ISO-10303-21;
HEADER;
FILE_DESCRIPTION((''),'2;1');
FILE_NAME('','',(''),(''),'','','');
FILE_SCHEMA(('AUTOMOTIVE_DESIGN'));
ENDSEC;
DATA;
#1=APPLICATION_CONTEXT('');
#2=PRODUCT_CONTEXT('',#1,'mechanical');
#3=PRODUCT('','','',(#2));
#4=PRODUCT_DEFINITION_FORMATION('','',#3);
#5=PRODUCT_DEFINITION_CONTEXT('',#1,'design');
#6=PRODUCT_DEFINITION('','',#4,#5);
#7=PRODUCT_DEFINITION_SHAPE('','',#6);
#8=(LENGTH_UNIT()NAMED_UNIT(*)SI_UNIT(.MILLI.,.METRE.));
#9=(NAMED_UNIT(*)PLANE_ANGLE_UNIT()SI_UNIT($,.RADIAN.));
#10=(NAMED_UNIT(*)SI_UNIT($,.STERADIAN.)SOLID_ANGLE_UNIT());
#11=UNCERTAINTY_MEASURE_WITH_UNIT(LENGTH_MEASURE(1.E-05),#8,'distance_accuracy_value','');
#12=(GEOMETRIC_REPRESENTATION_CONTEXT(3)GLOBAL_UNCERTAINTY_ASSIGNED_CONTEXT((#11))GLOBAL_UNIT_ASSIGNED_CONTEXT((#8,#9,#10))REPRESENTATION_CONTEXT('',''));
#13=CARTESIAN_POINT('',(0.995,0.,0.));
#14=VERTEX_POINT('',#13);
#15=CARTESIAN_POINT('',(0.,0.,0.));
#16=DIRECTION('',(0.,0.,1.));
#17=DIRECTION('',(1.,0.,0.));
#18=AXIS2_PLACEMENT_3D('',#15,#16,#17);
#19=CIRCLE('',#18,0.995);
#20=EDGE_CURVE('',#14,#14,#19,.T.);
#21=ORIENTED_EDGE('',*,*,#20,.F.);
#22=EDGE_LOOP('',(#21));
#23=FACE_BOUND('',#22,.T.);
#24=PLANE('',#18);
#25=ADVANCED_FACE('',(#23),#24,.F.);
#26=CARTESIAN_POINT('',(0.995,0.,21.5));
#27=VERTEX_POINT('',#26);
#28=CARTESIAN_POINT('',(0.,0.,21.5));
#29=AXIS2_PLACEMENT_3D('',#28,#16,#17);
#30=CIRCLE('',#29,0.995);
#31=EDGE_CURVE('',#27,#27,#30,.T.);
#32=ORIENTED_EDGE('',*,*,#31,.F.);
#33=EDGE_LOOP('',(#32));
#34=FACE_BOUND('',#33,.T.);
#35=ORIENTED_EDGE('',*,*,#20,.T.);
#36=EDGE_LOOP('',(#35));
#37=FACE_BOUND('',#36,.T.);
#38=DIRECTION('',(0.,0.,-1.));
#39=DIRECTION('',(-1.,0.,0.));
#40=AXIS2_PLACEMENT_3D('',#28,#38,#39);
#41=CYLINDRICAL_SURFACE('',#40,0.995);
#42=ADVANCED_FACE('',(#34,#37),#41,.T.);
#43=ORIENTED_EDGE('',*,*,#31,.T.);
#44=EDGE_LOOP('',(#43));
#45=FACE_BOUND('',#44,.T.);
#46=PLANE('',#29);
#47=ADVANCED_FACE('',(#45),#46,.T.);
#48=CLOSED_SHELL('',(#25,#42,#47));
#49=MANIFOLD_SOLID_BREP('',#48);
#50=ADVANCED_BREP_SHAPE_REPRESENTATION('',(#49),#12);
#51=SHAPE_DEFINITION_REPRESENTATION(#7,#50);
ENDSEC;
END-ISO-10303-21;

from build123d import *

# Parameters (mm, degrees)
SKETCH_1_R      = 0.995
EXTRUDE_1_DEPTH = 21.5


with BuildPart() as part:
    # 스케치1 → 보스-돌출1 (new body)
    with BuildSketch(Plane.XY):
        Circle(SKETCH_1_R)
    extrude(amount=EXTRUDE_1_DEPTH)


solid = part.part
